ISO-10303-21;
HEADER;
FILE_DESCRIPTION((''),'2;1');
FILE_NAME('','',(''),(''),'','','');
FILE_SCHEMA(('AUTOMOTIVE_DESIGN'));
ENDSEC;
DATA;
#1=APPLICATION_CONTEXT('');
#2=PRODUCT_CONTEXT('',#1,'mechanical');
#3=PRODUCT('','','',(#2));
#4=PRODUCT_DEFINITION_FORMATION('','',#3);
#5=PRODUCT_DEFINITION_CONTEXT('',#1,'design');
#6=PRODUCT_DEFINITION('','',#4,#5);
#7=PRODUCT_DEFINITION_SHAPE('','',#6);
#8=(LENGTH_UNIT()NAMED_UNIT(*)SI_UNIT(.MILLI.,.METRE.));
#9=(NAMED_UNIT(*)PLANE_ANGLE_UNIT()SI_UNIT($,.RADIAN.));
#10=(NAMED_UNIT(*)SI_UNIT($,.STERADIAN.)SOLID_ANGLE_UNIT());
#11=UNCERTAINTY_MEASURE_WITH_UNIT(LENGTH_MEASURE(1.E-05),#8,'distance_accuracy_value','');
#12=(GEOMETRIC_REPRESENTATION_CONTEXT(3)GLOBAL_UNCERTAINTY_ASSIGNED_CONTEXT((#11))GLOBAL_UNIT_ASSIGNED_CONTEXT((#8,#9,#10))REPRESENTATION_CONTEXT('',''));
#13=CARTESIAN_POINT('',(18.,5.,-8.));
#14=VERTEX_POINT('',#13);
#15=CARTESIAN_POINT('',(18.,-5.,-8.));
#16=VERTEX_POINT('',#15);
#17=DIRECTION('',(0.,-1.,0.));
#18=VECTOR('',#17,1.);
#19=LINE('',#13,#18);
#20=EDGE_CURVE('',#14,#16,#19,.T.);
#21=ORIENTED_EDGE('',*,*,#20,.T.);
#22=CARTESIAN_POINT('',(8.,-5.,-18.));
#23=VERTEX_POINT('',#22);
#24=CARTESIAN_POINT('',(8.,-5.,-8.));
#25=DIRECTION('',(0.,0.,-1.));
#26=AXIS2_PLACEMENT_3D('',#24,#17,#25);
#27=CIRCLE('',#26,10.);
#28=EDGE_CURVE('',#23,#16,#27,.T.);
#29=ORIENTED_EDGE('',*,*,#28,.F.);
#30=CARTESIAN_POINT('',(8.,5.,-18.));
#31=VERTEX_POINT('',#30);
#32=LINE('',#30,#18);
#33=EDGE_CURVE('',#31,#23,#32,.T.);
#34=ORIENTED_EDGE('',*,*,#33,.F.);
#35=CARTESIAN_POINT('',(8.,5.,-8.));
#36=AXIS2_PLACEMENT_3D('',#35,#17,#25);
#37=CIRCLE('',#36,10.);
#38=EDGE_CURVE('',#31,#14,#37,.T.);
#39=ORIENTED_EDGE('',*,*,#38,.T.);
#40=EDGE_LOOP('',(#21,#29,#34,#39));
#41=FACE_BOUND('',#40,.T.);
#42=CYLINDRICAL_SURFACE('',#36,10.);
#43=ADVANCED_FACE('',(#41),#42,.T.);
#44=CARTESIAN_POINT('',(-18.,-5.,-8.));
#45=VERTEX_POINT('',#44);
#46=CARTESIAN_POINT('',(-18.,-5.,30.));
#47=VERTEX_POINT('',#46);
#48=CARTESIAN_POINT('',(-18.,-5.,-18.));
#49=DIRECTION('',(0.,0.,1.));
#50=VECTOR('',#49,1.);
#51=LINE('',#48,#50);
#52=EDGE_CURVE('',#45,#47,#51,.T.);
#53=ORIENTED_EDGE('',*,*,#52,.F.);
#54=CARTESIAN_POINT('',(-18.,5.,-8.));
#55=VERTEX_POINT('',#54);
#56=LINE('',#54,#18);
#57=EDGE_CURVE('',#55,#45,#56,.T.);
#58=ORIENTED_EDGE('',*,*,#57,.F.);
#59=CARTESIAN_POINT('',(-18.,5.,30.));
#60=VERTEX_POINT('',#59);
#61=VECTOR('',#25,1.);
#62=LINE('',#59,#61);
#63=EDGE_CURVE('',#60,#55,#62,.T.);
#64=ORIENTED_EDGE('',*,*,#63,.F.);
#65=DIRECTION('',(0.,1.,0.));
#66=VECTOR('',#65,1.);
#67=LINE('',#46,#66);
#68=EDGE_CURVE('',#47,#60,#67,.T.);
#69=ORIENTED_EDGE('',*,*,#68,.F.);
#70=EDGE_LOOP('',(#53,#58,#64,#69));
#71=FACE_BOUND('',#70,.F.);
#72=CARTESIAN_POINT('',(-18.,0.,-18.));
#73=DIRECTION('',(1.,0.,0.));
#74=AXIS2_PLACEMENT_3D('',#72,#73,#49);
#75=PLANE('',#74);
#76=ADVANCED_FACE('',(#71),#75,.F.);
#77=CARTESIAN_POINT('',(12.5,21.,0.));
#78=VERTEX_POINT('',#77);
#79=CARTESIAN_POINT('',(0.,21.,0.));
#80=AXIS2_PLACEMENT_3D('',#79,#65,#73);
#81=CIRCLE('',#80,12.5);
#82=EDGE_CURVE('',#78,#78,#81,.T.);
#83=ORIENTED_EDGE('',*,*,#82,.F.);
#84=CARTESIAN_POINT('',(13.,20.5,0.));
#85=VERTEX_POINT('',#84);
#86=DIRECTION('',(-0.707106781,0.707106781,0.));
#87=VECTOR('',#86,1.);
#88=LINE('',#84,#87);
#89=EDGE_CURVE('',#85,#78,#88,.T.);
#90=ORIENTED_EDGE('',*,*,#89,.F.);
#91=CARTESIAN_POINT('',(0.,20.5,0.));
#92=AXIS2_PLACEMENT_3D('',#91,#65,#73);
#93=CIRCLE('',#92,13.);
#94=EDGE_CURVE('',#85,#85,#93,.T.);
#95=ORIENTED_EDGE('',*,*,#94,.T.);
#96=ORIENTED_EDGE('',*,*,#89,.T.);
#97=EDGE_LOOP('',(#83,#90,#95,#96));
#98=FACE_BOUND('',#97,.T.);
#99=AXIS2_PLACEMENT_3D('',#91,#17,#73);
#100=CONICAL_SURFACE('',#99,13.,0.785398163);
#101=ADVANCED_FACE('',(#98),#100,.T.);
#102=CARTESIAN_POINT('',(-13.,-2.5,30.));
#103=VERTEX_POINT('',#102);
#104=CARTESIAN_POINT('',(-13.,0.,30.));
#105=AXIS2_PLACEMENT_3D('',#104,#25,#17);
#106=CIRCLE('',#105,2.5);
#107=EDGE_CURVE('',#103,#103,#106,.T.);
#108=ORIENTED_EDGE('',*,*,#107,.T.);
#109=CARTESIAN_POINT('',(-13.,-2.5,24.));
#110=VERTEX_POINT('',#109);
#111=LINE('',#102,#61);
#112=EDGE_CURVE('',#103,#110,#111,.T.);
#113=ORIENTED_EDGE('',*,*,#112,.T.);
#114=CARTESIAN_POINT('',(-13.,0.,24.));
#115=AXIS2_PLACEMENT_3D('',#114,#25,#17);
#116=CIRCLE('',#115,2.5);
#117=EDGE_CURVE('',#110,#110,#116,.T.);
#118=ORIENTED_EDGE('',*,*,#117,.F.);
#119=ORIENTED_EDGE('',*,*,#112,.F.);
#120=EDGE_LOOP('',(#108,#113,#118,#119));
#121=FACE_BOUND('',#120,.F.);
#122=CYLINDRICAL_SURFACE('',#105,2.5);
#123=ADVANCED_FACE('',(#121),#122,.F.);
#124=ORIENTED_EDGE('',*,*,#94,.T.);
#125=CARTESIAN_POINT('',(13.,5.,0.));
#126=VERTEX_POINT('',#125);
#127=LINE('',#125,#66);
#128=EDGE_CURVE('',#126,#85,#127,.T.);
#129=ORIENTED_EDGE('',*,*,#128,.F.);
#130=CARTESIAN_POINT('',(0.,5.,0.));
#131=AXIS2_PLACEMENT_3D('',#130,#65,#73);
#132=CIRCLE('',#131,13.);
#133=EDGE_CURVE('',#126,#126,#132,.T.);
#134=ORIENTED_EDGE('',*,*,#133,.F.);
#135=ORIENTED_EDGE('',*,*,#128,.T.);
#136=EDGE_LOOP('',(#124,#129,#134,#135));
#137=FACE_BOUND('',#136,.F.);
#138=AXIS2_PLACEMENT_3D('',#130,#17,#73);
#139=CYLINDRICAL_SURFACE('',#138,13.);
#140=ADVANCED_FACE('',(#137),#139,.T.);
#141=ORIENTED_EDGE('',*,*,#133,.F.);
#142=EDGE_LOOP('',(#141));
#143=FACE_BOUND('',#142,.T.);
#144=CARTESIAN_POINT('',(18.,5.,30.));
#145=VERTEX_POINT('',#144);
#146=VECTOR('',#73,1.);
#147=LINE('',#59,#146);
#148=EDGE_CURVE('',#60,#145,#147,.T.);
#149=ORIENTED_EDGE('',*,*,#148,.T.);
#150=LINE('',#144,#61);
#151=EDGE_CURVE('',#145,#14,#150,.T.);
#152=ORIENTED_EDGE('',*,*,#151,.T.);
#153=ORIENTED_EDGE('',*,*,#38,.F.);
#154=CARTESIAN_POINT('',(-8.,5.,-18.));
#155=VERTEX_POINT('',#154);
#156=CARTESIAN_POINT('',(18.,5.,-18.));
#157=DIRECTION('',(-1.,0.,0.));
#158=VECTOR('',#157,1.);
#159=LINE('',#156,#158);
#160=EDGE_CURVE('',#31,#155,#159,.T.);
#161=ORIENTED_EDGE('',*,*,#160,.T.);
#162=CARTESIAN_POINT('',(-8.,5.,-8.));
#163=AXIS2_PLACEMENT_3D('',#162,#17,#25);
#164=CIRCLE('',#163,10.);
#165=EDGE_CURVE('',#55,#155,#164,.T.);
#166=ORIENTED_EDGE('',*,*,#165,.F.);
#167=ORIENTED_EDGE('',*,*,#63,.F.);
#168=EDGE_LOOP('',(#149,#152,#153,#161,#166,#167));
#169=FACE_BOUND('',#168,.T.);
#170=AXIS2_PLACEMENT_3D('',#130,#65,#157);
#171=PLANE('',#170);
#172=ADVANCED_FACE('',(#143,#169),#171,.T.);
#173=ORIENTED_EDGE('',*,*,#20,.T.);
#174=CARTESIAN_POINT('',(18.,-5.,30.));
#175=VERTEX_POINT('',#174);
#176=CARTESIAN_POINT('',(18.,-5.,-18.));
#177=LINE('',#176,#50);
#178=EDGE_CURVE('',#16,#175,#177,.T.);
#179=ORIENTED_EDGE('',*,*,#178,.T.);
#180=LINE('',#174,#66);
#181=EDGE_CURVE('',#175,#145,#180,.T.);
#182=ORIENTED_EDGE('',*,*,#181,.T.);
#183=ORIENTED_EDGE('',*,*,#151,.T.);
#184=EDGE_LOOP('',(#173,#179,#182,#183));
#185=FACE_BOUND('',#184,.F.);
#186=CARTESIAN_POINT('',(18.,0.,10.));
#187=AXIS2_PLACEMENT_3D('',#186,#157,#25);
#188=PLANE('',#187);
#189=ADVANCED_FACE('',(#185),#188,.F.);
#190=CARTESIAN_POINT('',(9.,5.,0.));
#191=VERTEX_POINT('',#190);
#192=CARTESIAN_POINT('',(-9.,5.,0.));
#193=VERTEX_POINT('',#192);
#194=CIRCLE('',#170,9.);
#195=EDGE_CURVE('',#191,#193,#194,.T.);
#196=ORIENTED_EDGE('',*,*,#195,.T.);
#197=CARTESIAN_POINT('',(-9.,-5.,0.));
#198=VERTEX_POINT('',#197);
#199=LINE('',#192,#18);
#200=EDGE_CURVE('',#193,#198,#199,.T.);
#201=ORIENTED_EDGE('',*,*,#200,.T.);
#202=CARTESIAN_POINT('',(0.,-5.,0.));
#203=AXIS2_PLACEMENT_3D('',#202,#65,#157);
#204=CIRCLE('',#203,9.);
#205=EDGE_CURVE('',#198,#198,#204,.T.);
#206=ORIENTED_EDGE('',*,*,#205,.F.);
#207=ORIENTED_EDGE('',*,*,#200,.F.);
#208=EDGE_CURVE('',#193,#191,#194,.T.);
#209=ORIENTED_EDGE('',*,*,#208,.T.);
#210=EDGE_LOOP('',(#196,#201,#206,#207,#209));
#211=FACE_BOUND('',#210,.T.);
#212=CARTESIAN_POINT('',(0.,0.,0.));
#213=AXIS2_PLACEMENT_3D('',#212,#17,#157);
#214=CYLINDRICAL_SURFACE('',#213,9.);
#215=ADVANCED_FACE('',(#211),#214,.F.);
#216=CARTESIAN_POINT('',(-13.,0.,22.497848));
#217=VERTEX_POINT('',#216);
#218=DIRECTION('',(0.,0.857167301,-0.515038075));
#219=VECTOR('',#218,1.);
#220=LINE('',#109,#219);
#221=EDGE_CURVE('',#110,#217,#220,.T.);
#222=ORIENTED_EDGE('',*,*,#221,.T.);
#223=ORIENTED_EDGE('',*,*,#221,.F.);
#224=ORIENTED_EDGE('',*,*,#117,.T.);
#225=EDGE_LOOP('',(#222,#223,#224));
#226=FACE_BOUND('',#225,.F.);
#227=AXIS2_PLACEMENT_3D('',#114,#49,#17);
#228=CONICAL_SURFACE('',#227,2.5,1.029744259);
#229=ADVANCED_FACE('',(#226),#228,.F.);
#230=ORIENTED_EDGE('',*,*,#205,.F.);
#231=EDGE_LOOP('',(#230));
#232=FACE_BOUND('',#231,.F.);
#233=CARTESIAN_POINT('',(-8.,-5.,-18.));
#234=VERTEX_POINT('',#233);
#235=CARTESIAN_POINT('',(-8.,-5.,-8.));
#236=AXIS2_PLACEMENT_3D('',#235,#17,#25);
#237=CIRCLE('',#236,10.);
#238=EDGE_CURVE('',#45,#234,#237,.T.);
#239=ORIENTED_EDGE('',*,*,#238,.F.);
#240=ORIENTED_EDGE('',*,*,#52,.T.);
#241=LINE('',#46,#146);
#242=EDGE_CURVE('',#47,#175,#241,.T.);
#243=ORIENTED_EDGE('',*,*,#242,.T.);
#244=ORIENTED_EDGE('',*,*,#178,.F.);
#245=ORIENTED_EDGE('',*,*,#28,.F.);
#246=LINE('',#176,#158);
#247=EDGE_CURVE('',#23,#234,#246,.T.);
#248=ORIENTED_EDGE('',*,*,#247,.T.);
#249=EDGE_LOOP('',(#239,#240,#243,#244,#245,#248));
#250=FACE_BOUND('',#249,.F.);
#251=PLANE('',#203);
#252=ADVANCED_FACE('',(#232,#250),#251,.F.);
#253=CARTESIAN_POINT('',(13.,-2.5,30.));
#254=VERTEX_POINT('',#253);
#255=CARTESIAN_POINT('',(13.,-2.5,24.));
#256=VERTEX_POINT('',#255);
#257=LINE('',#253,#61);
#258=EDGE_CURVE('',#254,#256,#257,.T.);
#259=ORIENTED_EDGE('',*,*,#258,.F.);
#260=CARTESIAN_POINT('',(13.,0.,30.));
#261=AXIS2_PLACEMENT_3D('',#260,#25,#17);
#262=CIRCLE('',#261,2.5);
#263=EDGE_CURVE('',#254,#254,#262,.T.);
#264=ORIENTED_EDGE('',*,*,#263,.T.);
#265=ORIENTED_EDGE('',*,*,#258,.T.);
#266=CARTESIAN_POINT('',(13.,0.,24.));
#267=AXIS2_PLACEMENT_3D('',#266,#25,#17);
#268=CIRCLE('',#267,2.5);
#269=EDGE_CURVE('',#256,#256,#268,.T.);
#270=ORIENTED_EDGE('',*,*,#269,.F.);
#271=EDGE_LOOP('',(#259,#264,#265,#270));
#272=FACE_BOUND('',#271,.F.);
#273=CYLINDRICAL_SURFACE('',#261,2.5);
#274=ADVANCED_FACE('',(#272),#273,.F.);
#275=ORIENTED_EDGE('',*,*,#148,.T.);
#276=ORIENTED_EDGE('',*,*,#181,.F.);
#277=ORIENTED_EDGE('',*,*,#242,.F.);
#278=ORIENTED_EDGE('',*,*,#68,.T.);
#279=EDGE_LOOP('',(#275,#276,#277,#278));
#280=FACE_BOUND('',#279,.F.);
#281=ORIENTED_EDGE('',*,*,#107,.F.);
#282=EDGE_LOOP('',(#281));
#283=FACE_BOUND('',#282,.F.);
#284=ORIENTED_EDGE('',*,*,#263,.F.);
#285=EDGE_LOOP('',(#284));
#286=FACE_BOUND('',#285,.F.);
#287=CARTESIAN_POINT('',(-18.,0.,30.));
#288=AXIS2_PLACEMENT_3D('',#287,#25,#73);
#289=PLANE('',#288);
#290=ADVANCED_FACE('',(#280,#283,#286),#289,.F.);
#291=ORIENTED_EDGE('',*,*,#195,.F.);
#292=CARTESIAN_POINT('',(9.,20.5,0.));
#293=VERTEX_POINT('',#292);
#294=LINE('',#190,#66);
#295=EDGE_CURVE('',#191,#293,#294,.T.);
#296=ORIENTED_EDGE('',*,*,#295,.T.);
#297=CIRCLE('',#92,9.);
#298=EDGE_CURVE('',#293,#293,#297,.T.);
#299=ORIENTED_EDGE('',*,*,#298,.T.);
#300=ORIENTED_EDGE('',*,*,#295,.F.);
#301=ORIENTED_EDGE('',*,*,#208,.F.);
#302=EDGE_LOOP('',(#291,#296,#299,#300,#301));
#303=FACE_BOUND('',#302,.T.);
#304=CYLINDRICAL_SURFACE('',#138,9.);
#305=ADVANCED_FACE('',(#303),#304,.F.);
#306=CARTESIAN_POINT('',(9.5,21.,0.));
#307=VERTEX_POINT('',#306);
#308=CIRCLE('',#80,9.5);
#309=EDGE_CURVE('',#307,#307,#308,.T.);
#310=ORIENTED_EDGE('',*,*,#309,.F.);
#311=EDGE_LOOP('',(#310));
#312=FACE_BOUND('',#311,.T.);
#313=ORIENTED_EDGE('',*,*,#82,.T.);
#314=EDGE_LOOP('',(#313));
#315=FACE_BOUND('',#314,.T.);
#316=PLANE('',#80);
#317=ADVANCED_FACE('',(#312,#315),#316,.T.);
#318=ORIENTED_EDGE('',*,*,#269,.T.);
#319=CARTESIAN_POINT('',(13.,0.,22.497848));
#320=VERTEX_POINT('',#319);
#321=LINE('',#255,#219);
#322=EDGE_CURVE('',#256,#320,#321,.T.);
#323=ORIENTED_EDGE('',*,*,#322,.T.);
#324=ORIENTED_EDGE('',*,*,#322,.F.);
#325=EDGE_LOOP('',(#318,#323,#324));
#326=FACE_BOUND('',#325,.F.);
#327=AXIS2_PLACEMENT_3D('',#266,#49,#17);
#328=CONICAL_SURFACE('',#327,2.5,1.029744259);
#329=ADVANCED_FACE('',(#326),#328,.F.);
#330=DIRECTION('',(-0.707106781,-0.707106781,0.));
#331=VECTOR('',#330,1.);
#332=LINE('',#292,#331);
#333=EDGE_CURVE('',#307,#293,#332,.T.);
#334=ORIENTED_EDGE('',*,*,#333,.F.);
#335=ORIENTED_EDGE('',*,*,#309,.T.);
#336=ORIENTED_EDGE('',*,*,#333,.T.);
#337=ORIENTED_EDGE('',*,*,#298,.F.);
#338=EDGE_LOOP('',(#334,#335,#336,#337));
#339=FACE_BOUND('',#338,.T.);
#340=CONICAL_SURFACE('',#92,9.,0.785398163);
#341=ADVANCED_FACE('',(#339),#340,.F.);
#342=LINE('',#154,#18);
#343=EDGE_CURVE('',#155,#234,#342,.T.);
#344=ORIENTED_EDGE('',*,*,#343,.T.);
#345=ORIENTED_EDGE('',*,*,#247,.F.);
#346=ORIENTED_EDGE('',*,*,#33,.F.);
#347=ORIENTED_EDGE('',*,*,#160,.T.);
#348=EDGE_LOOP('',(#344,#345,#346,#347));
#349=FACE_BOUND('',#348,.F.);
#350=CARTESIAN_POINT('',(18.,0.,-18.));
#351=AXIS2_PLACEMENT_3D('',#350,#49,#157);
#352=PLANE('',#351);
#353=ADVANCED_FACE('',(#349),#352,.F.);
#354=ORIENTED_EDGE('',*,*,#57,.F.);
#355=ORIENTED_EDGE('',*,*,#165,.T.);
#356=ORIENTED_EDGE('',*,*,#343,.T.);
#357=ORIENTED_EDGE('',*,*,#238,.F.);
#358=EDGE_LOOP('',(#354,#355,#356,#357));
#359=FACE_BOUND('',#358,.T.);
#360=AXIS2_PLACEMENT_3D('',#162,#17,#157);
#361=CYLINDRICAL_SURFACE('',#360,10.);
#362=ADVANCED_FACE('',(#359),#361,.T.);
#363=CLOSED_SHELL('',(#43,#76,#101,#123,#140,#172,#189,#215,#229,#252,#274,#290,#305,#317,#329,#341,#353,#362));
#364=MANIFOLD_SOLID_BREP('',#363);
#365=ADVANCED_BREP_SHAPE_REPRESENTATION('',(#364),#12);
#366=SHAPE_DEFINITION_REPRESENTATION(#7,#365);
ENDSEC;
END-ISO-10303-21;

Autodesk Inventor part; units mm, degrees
ref_plane "YZ Plane" through (0, 0, 0) normal (1, 0, 0) x (0, 1, 0)
ref_plane "XZ Plane" through (0, 0, 0) normal (0, 1, 0) x (-1, 0, 0)
ref_plane "XY Plane" through (0, 0, 0) normal (0, 0, 1) x (1, 0, 0)
sketch "スケッチ1" plane through (0, 0, 0) normal (0, 1, 0) x (-1, 0, 0)
  circle A0 centre (0, 0) radius 9
  line L0 (18, 10) -> (-18, 10)
  line L1 (-18, 10) -> (-18, -18)
  line L2 (-18, -18) -> (18, -18)
  line L3 (18, -18) -> (18, 10)
  line L4 (18, 30) -> (-18, 30)
  line L5 (-18, 30) -> (-18, 10)
  line L6 (-18, 10) -> (18, 10)
  line L7 (18, 10) -> (18, 30)
  line L8 (18, 30) -> (-18, 10) construction
  line L9 (-18, 30) -> (18, 10) construction
  point P0 (0, 20)
  point P1 (0, 20)
  point P2 (20, 10)
  point P3 (-6.6332, 10)
  point P4 (6.6332, 10)
  dimension "d0" = 18
  dimension "d18" = 10
  dimension "d33" = 30
  dimension "d34" = 36
  dimension "d36" = 18
extrude "押し出し1" add sketch "スケッチ1" along normal mid plane 10
sketch "スケッチ2" plane through (-38, 5, 30) normal (0, 0, 1) x (1, 0, 0)
  line L0 (20, -10) -> (20, 0) projected
  line L1 (56, -10) -> (20, -10) projected
  line L2 (56, 0) -> (56, -10) projected
  point P0 (38, -5)
  point P1 (25, -5)
  point P2 (51, -5)
  dimension "d37" = 5
  dimension "d38" = 5
  dimension "d39" = 5
hole "穴1" at (-13, 0, 30) at (13, 0, 30) direction (0, 0, -1) diameter 5 depth 6 tip angle 118
fillet "フィレット1" radius 10 2 edges at (18, 0, -18) (-18, 0, -18)
sketch "スケッチ4" plane through (0, 5, 0) normal (0, 1, 0) x (1, 0, 0)
  circle A0 centre (0, 0) radius 13
  circle A1 centre (0, 0) radius 9 projected
  dimension "d43" = 26
extrude "押し出し3" add sketch "スケッチ4" along normal blind 16
chamfer "面取り3" distance 0.5 angle 45 2 edges at (-9, 21, 0) (-13, 21, 0)
properties part number "cable_holder" material "ABS プラスチック"
